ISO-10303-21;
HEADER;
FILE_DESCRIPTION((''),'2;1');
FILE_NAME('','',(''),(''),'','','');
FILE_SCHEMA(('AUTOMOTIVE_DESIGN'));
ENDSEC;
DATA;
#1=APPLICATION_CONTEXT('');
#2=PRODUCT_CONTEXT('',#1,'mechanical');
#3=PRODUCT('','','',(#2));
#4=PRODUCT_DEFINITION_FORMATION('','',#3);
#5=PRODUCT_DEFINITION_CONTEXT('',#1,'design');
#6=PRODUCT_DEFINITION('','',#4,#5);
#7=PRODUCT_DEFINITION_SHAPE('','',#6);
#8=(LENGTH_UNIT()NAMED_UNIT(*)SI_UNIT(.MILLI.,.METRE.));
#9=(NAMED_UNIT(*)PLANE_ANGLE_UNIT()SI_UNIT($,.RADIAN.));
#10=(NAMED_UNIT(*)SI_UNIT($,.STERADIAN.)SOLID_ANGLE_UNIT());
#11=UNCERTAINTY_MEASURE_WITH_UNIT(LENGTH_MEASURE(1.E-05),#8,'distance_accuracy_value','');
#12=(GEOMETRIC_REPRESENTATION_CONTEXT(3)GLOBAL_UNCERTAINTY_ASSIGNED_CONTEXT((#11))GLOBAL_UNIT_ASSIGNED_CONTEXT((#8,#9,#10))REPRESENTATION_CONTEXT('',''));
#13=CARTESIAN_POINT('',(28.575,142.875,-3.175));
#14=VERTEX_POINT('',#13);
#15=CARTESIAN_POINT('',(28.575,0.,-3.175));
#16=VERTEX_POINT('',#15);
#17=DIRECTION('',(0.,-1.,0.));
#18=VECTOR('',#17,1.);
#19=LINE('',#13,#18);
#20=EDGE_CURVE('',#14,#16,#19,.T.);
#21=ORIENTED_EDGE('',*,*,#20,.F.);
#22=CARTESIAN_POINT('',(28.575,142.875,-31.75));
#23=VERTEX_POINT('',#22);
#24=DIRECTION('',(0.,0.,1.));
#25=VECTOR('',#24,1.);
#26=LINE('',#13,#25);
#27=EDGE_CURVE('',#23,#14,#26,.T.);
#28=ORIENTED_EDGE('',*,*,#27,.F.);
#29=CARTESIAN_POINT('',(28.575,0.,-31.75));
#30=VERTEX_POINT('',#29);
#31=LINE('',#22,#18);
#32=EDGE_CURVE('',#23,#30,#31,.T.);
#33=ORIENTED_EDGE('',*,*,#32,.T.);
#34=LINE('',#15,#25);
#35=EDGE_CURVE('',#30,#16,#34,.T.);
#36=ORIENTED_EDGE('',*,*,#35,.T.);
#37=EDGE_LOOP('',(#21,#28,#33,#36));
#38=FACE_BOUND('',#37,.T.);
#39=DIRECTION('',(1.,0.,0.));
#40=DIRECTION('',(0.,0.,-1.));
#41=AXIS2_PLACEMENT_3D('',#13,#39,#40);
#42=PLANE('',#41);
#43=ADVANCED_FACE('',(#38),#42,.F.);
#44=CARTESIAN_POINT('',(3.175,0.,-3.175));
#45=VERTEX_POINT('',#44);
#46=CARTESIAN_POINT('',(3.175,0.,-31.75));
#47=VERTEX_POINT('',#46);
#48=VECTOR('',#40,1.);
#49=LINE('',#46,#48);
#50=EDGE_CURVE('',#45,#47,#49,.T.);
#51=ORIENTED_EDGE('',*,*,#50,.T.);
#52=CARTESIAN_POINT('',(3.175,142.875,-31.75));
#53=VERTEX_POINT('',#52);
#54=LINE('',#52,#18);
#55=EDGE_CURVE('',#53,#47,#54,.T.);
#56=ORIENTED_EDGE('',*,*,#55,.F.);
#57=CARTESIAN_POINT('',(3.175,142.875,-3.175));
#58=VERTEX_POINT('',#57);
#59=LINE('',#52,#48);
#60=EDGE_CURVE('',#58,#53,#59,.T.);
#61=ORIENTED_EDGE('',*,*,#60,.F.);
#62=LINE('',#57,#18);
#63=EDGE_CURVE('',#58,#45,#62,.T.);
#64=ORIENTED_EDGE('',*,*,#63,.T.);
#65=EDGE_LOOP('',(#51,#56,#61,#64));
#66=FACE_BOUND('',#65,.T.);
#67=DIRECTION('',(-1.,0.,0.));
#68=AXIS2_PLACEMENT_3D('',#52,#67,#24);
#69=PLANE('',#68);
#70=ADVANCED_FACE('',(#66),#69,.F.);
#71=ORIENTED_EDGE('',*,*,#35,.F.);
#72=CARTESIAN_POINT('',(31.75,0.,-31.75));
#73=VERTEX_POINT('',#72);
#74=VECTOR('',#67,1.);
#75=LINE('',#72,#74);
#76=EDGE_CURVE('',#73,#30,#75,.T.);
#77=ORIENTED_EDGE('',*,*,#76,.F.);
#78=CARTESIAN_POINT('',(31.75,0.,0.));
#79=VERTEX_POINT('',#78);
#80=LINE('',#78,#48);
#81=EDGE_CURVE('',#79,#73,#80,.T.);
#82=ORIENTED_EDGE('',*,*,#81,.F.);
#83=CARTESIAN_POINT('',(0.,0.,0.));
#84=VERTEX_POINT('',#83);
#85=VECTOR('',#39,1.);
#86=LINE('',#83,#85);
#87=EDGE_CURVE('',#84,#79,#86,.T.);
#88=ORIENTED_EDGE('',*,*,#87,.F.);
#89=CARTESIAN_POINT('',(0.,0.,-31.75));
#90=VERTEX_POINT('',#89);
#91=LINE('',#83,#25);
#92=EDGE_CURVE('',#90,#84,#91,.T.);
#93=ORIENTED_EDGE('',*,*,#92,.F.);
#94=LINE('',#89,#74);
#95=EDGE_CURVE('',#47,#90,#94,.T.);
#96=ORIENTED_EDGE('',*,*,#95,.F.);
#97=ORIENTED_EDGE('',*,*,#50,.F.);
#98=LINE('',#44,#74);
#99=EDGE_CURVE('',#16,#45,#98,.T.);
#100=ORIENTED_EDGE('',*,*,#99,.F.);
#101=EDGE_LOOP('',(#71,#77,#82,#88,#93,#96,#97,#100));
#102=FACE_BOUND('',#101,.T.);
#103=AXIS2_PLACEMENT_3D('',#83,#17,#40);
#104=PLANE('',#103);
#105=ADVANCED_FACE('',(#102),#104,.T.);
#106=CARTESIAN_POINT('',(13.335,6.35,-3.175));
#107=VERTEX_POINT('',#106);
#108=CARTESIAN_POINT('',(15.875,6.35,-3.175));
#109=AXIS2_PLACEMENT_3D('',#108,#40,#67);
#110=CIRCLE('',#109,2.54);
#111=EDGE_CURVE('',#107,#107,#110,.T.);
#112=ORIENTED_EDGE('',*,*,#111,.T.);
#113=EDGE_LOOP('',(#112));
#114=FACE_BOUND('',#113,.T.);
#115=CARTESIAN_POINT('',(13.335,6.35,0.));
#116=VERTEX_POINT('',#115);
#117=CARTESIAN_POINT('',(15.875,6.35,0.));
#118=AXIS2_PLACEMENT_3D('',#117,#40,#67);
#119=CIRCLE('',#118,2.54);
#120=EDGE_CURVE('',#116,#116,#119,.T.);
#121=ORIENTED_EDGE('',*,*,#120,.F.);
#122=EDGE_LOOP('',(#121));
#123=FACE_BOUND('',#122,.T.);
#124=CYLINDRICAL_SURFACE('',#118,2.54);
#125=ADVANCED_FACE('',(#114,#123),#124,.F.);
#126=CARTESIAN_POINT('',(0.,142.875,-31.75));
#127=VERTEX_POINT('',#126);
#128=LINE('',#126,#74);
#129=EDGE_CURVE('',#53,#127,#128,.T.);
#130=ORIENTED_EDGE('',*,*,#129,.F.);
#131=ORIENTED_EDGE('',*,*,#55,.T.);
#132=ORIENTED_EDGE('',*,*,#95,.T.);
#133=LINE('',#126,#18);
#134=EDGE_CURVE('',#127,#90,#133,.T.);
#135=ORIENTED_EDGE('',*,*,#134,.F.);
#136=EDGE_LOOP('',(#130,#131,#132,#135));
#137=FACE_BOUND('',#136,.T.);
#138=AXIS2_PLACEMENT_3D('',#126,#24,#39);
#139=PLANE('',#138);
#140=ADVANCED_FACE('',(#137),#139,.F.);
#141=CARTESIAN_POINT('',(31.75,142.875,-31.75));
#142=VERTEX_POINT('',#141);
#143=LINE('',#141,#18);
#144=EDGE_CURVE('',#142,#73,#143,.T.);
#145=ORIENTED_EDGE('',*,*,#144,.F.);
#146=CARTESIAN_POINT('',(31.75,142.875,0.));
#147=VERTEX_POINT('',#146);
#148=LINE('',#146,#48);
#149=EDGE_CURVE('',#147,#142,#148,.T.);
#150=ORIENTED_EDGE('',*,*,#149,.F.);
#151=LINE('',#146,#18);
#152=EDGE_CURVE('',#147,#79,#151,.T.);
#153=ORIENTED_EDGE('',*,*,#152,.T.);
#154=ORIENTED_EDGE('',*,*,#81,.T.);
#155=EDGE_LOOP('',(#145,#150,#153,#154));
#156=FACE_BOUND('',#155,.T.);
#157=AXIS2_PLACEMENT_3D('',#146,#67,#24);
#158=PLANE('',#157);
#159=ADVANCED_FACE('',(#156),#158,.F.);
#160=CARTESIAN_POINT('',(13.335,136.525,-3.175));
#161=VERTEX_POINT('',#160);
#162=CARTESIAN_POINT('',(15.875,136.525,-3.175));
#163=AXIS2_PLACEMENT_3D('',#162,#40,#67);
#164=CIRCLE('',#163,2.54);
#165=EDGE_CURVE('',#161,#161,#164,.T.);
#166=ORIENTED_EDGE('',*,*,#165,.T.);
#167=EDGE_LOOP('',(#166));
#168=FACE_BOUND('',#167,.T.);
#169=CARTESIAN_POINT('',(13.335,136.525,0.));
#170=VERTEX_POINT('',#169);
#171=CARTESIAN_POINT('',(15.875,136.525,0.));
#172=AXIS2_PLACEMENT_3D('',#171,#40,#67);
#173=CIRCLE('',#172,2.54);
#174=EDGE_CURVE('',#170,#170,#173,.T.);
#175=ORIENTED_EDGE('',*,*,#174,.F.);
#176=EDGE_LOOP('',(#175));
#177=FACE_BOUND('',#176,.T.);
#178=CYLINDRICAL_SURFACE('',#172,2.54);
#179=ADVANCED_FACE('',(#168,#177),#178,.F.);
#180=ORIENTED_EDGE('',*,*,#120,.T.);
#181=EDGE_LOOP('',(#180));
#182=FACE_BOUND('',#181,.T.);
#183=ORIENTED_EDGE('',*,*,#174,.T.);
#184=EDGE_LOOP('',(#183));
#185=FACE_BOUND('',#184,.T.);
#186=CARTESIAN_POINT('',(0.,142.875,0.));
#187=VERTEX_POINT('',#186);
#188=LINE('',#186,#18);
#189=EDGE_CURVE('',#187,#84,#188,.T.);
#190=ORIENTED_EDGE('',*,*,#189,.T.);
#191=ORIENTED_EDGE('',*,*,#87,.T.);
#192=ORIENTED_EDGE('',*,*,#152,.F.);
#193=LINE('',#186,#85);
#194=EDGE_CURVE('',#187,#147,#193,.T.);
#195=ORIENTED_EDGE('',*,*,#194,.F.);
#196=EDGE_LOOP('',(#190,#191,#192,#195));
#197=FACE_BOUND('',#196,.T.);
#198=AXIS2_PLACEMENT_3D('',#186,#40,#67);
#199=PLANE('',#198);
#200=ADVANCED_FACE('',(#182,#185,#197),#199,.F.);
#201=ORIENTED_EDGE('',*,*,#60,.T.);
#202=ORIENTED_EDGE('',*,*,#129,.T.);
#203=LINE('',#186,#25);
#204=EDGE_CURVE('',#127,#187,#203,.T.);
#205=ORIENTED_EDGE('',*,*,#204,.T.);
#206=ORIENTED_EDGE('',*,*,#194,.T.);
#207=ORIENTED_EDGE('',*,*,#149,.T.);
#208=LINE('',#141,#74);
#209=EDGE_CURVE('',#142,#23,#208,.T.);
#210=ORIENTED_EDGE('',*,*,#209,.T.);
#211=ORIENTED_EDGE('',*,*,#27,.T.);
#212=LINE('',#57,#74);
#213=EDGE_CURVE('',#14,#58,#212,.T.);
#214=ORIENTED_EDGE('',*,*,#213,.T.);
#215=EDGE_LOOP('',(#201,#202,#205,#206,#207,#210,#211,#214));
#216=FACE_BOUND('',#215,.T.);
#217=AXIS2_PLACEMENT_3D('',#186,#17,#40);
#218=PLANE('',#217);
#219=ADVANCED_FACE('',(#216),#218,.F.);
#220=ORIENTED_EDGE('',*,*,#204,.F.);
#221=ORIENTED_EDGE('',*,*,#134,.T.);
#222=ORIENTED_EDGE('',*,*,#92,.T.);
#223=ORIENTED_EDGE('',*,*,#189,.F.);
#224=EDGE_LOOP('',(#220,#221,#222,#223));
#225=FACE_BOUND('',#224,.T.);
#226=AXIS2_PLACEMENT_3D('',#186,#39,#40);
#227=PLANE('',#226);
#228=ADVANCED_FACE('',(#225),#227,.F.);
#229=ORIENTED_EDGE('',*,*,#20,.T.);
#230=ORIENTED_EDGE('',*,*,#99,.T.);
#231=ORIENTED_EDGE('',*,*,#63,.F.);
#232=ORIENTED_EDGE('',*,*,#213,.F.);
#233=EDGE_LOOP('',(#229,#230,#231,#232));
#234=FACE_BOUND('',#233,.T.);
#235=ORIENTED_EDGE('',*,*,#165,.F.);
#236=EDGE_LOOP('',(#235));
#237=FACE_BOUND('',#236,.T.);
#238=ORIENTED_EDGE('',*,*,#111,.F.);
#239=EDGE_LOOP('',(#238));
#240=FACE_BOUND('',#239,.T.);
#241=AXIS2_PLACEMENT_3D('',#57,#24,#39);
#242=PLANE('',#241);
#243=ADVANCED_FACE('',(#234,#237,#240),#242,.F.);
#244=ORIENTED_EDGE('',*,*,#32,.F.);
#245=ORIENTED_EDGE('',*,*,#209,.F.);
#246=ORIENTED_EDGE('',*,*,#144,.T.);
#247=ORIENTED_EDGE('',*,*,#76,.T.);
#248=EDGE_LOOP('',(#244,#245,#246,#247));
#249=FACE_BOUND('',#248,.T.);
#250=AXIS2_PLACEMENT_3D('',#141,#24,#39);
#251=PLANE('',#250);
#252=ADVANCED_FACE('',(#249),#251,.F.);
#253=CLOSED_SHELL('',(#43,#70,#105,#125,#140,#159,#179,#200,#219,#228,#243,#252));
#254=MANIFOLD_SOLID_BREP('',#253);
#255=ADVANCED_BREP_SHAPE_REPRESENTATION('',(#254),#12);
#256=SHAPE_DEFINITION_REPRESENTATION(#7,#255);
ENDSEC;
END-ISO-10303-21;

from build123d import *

# Parameters (mm, degrees)
BOSS_EXTRUDE1_DEPTH = 142.875
SKETCH3_R           = 2.54
CUT_EXTRUDE1_DEPTH  = 3.175


with BuildPart() as part:
    # Sketch1 → Boss-Extrude1 (new body)
    with BuildSketch(Plane(origin=(0, 0, 0), x_dir=(1, 0, 0), z_dir=(0, 1, 0))):
        Polygon((0, 0), (31.75, 0), (31.75, 31.75), (28.575, 31.75), (28.575, 3.175), (3.175, 3.175), (3.175, 31.75), (0, 31.75), align=None)
    extrude(amount=BOSS_EXTRUDE1_DEPTH)

    # Sketch3 → Cut-Extrude1 (cut)
    with BuildSketch(Plane(origin=(0, 0, -3.175), x_dir=(-1, 0, 0), z_dir=(0, 0, -1))):
        with Locations((-15.875, 6.35)):
            Circle(SKETCH3_R)
        with Locations((-15.875, 136.525)):
            Circle(SKETCH3_R)
    extrude(amount=-CUT_EXTRUDE1_DEPTH, mode=Mode.SUBTRACT)


solid = part.part
